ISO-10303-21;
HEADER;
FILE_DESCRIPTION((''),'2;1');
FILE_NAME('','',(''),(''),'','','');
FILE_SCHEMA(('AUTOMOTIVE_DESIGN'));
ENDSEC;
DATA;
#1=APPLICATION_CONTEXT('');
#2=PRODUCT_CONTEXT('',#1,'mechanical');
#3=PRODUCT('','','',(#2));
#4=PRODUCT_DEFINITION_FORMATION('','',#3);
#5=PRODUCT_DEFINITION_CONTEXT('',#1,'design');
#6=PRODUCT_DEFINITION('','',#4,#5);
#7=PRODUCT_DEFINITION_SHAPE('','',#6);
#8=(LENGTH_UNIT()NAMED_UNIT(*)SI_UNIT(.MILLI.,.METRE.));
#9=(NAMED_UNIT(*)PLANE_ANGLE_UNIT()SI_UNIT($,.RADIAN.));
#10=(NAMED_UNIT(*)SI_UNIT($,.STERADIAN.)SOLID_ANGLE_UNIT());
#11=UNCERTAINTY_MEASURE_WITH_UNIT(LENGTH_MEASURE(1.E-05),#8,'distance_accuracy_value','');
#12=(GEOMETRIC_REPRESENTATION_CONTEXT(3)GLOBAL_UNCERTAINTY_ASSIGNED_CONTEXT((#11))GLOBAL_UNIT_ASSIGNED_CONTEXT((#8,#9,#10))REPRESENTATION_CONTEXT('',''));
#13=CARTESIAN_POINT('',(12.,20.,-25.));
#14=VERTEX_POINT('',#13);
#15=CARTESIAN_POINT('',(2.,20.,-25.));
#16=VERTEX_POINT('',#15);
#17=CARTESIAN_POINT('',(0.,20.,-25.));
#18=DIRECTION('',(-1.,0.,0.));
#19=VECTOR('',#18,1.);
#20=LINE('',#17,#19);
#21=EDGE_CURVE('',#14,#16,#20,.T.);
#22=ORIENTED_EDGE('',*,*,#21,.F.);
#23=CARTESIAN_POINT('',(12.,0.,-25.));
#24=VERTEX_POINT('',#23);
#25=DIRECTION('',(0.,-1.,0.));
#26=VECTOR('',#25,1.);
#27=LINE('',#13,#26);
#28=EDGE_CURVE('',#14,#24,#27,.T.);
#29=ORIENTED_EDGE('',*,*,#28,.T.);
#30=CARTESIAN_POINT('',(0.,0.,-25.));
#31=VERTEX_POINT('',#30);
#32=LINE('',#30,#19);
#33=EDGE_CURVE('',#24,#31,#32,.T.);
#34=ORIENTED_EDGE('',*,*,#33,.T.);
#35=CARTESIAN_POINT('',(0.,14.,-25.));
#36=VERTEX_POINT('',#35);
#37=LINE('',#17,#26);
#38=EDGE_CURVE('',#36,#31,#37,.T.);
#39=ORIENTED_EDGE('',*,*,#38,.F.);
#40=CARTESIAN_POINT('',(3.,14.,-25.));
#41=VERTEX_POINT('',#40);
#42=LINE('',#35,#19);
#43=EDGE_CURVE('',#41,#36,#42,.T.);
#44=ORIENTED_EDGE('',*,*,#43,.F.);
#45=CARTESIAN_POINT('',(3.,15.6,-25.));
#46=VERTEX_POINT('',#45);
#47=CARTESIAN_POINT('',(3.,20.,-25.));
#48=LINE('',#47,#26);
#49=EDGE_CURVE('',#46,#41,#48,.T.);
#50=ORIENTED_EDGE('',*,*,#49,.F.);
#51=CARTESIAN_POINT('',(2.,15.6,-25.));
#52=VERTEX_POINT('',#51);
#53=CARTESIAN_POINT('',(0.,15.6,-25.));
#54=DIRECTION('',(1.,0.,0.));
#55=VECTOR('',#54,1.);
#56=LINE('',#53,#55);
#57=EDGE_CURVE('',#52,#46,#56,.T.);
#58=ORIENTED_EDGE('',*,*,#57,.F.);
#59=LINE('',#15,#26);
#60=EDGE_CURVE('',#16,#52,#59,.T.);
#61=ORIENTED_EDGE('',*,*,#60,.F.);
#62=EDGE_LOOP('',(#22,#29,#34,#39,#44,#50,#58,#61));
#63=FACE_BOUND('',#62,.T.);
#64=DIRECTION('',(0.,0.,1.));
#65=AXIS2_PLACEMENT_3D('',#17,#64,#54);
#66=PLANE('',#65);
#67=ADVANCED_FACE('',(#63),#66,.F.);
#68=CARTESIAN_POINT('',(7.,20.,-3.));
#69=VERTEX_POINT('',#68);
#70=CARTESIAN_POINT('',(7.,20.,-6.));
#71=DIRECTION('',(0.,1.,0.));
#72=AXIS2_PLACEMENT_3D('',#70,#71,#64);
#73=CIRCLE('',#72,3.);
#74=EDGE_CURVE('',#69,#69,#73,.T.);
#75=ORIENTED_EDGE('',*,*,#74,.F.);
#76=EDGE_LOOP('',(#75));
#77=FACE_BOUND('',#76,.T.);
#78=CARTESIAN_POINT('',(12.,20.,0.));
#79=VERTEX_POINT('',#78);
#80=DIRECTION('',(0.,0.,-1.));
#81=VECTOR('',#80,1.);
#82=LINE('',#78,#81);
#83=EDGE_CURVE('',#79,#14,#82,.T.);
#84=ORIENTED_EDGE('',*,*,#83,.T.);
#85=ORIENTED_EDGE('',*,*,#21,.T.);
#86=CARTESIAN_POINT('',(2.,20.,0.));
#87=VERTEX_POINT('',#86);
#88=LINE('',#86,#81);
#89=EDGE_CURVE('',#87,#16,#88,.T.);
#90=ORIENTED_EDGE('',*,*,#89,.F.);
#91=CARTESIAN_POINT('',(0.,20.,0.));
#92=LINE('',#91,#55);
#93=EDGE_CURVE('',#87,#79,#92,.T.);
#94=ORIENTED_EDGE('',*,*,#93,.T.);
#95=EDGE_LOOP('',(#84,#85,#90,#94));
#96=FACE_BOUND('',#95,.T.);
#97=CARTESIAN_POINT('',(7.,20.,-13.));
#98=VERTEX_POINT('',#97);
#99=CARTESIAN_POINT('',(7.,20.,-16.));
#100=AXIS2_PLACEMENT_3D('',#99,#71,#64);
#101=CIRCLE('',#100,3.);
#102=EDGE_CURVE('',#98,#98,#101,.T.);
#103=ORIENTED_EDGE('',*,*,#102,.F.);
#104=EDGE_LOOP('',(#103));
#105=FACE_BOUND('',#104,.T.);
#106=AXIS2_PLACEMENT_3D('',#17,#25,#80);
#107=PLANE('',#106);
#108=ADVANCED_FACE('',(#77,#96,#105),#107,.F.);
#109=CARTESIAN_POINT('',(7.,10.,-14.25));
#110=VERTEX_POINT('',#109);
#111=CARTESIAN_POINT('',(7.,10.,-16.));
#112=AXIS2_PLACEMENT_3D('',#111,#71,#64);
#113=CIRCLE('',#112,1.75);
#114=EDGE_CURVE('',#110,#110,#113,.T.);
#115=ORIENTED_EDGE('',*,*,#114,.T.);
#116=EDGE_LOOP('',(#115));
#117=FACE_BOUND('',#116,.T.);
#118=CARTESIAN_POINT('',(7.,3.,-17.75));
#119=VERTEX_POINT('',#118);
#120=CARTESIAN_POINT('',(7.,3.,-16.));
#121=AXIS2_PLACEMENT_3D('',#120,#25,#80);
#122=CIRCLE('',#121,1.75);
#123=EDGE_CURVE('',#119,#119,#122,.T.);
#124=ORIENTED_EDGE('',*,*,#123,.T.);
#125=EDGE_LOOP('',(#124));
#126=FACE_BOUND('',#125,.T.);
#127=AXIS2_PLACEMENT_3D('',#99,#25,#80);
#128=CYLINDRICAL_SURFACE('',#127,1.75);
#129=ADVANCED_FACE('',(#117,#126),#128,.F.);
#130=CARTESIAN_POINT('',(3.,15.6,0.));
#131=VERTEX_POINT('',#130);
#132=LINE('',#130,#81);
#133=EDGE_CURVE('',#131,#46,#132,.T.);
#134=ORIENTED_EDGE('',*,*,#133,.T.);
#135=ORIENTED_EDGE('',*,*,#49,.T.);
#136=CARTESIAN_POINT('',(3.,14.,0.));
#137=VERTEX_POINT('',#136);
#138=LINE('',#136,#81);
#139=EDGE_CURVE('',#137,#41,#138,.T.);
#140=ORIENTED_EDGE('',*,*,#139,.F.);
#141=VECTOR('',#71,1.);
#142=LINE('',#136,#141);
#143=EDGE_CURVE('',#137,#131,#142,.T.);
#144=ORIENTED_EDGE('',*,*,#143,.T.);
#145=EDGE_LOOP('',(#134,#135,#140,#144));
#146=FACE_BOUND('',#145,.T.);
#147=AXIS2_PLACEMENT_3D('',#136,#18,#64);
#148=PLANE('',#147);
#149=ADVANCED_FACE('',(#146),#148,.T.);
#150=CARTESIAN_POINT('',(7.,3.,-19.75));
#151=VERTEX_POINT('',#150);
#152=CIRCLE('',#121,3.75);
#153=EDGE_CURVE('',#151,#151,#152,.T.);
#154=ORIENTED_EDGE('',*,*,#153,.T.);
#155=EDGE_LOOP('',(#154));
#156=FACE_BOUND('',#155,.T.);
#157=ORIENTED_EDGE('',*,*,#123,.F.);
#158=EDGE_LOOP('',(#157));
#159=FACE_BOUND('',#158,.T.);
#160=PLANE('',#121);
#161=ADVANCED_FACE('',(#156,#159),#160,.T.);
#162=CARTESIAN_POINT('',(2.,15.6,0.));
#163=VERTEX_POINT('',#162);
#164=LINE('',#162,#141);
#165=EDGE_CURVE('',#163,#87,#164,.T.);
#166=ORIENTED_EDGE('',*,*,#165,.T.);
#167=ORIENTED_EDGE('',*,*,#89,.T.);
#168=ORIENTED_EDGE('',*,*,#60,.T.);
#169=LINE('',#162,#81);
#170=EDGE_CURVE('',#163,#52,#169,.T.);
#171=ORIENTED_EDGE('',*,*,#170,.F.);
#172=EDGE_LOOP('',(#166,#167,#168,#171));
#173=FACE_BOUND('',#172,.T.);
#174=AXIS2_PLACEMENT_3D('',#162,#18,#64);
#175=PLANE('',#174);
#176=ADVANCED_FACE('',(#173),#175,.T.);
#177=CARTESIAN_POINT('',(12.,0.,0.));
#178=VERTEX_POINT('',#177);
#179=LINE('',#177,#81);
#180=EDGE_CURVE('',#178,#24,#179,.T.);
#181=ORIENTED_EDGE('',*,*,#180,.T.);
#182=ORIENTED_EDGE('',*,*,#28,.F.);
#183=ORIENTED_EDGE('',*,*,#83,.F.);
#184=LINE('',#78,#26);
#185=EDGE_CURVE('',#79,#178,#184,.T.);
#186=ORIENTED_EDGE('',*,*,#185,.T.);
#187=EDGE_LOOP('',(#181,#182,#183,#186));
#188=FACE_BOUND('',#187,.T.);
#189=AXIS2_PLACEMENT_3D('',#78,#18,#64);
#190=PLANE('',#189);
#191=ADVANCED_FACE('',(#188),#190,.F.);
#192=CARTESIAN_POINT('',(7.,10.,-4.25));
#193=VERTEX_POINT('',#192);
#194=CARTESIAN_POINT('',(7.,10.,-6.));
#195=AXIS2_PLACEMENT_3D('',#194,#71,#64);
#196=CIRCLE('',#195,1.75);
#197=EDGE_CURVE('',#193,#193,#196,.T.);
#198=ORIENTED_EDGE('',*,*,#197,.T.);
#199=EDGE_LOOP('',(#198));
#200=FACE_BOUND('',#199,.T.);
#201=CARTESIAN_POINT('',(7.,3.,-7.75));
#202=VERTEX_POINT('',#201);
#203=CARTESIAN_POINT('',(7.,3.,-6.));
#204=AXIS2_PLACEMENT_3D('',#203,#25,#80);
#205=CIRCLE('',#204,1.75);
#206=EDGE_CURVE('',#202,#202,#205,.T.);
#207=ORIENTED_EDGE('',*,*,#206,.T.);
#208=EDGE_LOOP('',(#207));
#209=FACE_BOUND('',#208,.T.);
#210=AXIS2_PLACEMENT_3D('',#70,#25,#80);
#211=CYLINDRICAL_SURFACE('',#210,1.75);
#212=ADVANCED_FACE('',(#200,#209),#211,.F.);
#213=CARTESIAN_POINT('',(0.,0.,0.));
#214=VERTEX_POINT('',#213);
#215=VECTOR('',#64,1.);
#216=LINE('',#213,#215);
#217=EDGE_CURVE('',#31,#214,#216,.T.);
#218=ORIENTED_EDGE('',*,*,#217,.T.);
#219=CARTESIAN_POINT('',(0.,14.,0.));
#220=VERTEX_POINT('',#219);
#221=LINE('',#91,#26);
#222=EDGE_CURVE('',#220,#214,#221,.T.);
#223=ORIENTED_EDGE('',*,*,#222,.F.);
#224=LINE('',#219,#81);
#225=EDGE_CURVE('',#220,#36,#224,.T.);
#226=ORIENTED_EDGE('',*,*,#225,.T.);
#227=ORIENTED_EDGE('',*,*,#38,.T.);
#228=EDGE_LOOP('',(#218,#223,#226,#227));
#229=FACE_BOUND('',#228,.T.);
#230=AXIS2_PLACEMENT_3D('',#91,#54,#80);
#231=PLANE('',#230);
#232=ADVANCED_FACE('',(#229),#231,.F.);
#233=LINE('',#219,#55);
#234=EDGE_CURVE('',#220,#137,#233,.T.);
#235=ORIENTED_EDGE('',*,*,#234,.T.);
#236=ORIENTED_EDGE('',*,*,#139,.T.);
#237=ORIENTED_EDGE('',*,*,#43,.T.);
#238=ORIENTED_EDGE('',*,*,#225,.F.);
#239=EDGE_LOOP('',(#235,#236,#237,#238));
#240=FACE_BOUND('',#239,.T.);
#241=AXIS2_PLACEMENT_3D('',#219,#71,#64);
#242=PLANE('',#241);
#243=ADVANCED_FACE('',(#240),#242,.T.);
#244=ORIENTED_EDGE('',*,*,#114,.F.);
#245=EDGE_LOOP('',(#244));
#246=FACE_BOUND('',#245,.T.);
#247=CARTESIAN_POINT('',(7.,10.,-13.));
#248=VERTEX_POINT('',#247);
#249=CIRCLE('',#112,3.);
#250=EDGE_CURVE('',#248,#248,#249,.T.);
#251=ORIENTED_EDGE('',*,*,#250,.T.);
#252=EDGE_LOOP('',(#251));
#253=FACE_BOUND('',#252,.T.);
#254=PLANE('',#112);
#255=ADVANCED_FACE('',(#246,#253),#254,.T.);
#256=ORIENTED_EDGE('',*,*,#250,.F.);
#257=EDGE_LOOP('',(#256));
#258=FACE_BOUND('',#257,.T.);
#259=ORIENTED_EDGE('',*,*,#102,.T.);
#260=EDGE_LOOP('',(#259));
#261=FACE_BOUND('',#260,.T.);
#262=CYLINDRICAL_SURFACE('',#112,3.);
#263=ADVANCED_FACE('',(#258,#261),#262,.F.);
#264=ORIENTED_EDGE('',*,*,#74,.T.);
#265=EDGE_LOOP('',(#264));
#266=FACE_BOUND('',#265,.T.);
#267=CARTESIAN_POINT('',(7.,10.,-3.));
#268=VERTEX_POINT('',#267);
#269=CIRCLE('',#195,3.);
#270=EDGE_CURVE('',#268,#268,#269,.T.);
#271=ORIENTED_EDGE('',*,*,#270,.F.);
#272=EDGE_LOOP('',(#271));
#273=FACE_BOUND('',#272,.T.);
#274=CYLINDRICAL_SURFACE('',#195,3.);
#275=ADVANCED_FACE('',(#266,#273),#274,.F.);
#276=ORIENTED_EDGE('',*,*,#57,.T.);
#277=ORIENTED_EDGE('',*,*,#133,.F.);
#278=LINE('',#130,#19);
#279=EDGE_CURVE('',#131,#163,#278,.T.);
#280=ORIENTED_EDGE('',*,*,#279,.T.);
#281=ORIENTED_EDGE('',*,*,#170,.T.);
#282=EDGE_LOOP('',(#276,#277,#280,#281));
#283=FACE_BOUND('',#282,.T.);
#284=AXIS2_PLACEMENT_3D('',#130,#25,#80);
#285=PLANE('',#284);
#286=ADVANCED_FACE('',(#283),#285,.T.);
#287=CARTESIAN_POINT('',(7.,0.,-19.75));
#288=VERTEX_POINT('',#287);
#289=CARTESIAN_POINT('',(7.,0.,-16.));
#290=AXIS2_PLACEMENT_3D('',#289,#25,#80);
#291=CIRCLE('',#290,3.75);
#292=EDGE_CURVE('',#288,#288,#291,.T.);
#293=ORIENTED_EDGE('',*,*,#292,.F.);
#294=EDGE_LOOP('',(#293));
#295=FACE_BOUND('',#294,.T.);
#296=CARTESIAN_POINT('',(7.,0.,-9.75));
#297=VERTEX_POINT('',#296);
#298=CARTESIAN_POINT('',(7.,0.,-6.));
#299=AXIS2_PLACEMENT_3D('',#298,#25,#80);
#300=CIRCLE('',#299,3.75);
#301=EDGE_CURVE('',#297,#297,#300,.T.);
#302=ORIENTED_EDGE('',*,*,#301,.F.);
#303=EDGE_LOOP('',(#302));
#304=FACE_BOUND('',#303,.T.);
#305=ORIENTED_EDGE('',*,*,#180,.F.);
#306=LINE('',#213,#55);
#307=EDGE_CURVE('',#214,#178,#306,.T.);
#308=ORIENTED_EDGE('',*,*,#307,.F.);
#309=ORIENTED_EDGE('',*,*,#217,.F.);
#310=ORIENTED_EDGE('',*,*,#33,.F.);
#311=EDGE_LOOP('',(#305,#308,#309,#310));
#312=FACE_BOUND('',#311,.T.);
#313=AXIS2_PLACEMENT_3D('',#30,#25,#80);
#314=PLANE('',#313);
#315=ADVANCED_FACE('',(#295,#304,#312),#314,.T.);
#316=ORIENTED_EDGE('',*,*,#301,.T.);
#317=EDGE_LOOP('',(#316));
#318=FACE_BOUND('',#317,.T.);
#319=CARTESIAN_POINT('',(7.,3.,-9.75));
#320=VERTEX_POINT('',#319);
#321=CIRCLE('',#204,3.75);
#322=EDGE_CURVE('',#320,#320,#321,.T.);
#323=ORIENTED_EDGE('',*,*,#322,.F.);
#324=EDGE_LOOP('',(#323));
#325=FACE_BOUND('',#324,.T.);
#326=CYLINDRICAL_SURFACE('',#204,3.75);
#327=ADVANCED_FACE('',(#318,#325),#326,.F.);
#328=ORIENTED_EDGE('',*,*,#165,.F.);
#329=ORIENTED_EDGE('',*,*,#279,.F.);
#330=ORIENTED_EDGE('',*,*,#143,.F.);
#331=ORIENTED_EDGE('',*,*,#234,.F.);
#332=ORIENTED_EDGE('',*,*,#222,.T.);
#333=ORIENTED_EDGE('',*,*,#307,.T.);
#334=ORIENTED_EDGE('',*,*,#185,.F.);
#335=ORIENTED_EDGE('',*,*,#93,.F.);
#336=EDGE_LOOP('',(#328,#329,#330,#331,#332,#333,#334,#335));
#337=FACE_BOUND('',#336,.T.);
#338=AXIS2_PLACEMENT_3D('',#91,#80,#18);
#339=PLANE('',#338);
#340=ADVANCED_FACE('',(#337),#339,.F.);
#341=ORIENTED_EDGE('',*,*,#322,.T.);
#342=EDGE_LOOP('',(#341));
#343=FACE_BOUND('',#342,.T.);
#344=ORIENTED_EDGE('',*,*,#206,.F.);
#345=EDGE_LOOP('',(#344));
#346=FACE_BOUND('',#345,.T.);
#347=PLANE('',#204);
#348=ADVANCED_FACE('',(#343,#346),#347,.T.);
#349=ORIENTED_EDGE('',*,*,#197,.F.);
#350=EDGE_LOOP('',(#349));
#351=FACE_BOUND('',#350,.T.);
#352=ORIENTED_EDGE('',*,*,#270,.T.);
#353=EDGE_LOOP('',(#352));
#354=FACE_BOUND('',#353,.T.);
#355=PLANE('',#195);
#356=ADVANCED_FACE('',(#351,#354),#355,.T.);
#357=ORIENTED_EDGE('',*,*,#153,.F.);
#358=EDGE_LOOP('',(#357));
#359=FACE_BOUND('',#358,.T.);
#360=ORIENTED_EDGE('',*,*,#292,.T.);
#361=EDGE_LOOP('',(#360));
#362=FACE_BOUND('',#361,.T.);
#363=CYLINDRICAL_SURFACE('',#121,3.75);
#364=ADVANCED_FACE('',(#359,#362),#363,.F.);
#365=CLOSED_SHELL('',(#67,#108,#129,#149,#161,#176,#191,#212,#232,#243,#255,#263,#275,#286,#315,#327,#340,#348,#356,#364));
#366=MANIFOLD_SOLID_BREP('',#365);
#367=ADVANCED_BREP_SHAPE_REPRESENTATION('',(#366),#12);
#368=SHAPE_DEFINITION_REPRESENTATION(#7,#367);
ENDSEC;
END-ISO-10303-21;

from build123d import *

# Parameters (mm, degrees)
SKETCH_1_W          = 12
SKETCH_1_H          = 25
SKETCH_1_R          = 1.75
EXTRUDE_1_DEPTH     = 20
CUT_EXTRUDE_1_DEPTH = 26
SKETCH_3_R          = 3
CUT_EXTRUDE_2_DEPTH = 10
SKETCH_4_R          = 3.75
CUT_EXTRUDE_3_DEPTH = 3


with BuildPart() as part:
    # Эскиз1 → Бобышка-Вытянуть1 (new body)
    with BuildSketch(Plane(origin=(0, 0, 0), x_dir=(1, 0, 0), z_dir=(0, 1, 0))):
        with Locations((6, 12.5)):
            Rectangle(SKETCH_1_W, SKETCH_1_H)
        with Locations((7, 6)):
            Circle(SKETCH_1_R, mode=Mode.SUBTRACT)
        with Locations((7, 16)):
            Circle(SKETCH_1_R, mode=Mode.SUBTRACT)
    extrude(amount=EXTRUDE_1_DEPTH)

    # Эскиз2 → Вырез-Вытянуть1 (cut, through all)
    with BuildSketch(Plane.XY):
        Polygon((-54.72135955, 14), (0, 14), (3, 14), (3, 15.6), (2, 15.6), (2, 20), (2, 74.72135955), (-77.977073961, 149.429969527), (-134.698433511, 88.708609977), align=None)
    extrude(amount=-CUT_EXTRUDE_1_DEPTH, mode=Mode.SUBTRACT)

    # Эскиз3 → Вырез-Вытянуть2 (cut)
    with BuildSketch(Plane(origin=(0, 20, 0), x_dir=(1, 0, 0), z_dir=(0, 1, 0))):
        with Locations((7, 16)):
            Circle(SKETCH_3_R)
        with Locations((7, 6)):
            Circle(SKETCH_3_R)
    extrude(amount=-CUT_EXTRUDE_2_DEPTH, mode=Mode.SUBTRACT)

    # Эскиз4 → Вырез-Вытянуть3 (cut)
    with BuildSketch(Plane.XZ):
        with Locations((7, -16)):
            Circle(SKETCH_4_R)
        with Locations((7, -6)):
            Circle(SKETCH_4_R)
    extrude(amount=-CUT_EXTRUDE_3_DEPTH, mode=Mode.SUBTRACT)


solid = part.part
